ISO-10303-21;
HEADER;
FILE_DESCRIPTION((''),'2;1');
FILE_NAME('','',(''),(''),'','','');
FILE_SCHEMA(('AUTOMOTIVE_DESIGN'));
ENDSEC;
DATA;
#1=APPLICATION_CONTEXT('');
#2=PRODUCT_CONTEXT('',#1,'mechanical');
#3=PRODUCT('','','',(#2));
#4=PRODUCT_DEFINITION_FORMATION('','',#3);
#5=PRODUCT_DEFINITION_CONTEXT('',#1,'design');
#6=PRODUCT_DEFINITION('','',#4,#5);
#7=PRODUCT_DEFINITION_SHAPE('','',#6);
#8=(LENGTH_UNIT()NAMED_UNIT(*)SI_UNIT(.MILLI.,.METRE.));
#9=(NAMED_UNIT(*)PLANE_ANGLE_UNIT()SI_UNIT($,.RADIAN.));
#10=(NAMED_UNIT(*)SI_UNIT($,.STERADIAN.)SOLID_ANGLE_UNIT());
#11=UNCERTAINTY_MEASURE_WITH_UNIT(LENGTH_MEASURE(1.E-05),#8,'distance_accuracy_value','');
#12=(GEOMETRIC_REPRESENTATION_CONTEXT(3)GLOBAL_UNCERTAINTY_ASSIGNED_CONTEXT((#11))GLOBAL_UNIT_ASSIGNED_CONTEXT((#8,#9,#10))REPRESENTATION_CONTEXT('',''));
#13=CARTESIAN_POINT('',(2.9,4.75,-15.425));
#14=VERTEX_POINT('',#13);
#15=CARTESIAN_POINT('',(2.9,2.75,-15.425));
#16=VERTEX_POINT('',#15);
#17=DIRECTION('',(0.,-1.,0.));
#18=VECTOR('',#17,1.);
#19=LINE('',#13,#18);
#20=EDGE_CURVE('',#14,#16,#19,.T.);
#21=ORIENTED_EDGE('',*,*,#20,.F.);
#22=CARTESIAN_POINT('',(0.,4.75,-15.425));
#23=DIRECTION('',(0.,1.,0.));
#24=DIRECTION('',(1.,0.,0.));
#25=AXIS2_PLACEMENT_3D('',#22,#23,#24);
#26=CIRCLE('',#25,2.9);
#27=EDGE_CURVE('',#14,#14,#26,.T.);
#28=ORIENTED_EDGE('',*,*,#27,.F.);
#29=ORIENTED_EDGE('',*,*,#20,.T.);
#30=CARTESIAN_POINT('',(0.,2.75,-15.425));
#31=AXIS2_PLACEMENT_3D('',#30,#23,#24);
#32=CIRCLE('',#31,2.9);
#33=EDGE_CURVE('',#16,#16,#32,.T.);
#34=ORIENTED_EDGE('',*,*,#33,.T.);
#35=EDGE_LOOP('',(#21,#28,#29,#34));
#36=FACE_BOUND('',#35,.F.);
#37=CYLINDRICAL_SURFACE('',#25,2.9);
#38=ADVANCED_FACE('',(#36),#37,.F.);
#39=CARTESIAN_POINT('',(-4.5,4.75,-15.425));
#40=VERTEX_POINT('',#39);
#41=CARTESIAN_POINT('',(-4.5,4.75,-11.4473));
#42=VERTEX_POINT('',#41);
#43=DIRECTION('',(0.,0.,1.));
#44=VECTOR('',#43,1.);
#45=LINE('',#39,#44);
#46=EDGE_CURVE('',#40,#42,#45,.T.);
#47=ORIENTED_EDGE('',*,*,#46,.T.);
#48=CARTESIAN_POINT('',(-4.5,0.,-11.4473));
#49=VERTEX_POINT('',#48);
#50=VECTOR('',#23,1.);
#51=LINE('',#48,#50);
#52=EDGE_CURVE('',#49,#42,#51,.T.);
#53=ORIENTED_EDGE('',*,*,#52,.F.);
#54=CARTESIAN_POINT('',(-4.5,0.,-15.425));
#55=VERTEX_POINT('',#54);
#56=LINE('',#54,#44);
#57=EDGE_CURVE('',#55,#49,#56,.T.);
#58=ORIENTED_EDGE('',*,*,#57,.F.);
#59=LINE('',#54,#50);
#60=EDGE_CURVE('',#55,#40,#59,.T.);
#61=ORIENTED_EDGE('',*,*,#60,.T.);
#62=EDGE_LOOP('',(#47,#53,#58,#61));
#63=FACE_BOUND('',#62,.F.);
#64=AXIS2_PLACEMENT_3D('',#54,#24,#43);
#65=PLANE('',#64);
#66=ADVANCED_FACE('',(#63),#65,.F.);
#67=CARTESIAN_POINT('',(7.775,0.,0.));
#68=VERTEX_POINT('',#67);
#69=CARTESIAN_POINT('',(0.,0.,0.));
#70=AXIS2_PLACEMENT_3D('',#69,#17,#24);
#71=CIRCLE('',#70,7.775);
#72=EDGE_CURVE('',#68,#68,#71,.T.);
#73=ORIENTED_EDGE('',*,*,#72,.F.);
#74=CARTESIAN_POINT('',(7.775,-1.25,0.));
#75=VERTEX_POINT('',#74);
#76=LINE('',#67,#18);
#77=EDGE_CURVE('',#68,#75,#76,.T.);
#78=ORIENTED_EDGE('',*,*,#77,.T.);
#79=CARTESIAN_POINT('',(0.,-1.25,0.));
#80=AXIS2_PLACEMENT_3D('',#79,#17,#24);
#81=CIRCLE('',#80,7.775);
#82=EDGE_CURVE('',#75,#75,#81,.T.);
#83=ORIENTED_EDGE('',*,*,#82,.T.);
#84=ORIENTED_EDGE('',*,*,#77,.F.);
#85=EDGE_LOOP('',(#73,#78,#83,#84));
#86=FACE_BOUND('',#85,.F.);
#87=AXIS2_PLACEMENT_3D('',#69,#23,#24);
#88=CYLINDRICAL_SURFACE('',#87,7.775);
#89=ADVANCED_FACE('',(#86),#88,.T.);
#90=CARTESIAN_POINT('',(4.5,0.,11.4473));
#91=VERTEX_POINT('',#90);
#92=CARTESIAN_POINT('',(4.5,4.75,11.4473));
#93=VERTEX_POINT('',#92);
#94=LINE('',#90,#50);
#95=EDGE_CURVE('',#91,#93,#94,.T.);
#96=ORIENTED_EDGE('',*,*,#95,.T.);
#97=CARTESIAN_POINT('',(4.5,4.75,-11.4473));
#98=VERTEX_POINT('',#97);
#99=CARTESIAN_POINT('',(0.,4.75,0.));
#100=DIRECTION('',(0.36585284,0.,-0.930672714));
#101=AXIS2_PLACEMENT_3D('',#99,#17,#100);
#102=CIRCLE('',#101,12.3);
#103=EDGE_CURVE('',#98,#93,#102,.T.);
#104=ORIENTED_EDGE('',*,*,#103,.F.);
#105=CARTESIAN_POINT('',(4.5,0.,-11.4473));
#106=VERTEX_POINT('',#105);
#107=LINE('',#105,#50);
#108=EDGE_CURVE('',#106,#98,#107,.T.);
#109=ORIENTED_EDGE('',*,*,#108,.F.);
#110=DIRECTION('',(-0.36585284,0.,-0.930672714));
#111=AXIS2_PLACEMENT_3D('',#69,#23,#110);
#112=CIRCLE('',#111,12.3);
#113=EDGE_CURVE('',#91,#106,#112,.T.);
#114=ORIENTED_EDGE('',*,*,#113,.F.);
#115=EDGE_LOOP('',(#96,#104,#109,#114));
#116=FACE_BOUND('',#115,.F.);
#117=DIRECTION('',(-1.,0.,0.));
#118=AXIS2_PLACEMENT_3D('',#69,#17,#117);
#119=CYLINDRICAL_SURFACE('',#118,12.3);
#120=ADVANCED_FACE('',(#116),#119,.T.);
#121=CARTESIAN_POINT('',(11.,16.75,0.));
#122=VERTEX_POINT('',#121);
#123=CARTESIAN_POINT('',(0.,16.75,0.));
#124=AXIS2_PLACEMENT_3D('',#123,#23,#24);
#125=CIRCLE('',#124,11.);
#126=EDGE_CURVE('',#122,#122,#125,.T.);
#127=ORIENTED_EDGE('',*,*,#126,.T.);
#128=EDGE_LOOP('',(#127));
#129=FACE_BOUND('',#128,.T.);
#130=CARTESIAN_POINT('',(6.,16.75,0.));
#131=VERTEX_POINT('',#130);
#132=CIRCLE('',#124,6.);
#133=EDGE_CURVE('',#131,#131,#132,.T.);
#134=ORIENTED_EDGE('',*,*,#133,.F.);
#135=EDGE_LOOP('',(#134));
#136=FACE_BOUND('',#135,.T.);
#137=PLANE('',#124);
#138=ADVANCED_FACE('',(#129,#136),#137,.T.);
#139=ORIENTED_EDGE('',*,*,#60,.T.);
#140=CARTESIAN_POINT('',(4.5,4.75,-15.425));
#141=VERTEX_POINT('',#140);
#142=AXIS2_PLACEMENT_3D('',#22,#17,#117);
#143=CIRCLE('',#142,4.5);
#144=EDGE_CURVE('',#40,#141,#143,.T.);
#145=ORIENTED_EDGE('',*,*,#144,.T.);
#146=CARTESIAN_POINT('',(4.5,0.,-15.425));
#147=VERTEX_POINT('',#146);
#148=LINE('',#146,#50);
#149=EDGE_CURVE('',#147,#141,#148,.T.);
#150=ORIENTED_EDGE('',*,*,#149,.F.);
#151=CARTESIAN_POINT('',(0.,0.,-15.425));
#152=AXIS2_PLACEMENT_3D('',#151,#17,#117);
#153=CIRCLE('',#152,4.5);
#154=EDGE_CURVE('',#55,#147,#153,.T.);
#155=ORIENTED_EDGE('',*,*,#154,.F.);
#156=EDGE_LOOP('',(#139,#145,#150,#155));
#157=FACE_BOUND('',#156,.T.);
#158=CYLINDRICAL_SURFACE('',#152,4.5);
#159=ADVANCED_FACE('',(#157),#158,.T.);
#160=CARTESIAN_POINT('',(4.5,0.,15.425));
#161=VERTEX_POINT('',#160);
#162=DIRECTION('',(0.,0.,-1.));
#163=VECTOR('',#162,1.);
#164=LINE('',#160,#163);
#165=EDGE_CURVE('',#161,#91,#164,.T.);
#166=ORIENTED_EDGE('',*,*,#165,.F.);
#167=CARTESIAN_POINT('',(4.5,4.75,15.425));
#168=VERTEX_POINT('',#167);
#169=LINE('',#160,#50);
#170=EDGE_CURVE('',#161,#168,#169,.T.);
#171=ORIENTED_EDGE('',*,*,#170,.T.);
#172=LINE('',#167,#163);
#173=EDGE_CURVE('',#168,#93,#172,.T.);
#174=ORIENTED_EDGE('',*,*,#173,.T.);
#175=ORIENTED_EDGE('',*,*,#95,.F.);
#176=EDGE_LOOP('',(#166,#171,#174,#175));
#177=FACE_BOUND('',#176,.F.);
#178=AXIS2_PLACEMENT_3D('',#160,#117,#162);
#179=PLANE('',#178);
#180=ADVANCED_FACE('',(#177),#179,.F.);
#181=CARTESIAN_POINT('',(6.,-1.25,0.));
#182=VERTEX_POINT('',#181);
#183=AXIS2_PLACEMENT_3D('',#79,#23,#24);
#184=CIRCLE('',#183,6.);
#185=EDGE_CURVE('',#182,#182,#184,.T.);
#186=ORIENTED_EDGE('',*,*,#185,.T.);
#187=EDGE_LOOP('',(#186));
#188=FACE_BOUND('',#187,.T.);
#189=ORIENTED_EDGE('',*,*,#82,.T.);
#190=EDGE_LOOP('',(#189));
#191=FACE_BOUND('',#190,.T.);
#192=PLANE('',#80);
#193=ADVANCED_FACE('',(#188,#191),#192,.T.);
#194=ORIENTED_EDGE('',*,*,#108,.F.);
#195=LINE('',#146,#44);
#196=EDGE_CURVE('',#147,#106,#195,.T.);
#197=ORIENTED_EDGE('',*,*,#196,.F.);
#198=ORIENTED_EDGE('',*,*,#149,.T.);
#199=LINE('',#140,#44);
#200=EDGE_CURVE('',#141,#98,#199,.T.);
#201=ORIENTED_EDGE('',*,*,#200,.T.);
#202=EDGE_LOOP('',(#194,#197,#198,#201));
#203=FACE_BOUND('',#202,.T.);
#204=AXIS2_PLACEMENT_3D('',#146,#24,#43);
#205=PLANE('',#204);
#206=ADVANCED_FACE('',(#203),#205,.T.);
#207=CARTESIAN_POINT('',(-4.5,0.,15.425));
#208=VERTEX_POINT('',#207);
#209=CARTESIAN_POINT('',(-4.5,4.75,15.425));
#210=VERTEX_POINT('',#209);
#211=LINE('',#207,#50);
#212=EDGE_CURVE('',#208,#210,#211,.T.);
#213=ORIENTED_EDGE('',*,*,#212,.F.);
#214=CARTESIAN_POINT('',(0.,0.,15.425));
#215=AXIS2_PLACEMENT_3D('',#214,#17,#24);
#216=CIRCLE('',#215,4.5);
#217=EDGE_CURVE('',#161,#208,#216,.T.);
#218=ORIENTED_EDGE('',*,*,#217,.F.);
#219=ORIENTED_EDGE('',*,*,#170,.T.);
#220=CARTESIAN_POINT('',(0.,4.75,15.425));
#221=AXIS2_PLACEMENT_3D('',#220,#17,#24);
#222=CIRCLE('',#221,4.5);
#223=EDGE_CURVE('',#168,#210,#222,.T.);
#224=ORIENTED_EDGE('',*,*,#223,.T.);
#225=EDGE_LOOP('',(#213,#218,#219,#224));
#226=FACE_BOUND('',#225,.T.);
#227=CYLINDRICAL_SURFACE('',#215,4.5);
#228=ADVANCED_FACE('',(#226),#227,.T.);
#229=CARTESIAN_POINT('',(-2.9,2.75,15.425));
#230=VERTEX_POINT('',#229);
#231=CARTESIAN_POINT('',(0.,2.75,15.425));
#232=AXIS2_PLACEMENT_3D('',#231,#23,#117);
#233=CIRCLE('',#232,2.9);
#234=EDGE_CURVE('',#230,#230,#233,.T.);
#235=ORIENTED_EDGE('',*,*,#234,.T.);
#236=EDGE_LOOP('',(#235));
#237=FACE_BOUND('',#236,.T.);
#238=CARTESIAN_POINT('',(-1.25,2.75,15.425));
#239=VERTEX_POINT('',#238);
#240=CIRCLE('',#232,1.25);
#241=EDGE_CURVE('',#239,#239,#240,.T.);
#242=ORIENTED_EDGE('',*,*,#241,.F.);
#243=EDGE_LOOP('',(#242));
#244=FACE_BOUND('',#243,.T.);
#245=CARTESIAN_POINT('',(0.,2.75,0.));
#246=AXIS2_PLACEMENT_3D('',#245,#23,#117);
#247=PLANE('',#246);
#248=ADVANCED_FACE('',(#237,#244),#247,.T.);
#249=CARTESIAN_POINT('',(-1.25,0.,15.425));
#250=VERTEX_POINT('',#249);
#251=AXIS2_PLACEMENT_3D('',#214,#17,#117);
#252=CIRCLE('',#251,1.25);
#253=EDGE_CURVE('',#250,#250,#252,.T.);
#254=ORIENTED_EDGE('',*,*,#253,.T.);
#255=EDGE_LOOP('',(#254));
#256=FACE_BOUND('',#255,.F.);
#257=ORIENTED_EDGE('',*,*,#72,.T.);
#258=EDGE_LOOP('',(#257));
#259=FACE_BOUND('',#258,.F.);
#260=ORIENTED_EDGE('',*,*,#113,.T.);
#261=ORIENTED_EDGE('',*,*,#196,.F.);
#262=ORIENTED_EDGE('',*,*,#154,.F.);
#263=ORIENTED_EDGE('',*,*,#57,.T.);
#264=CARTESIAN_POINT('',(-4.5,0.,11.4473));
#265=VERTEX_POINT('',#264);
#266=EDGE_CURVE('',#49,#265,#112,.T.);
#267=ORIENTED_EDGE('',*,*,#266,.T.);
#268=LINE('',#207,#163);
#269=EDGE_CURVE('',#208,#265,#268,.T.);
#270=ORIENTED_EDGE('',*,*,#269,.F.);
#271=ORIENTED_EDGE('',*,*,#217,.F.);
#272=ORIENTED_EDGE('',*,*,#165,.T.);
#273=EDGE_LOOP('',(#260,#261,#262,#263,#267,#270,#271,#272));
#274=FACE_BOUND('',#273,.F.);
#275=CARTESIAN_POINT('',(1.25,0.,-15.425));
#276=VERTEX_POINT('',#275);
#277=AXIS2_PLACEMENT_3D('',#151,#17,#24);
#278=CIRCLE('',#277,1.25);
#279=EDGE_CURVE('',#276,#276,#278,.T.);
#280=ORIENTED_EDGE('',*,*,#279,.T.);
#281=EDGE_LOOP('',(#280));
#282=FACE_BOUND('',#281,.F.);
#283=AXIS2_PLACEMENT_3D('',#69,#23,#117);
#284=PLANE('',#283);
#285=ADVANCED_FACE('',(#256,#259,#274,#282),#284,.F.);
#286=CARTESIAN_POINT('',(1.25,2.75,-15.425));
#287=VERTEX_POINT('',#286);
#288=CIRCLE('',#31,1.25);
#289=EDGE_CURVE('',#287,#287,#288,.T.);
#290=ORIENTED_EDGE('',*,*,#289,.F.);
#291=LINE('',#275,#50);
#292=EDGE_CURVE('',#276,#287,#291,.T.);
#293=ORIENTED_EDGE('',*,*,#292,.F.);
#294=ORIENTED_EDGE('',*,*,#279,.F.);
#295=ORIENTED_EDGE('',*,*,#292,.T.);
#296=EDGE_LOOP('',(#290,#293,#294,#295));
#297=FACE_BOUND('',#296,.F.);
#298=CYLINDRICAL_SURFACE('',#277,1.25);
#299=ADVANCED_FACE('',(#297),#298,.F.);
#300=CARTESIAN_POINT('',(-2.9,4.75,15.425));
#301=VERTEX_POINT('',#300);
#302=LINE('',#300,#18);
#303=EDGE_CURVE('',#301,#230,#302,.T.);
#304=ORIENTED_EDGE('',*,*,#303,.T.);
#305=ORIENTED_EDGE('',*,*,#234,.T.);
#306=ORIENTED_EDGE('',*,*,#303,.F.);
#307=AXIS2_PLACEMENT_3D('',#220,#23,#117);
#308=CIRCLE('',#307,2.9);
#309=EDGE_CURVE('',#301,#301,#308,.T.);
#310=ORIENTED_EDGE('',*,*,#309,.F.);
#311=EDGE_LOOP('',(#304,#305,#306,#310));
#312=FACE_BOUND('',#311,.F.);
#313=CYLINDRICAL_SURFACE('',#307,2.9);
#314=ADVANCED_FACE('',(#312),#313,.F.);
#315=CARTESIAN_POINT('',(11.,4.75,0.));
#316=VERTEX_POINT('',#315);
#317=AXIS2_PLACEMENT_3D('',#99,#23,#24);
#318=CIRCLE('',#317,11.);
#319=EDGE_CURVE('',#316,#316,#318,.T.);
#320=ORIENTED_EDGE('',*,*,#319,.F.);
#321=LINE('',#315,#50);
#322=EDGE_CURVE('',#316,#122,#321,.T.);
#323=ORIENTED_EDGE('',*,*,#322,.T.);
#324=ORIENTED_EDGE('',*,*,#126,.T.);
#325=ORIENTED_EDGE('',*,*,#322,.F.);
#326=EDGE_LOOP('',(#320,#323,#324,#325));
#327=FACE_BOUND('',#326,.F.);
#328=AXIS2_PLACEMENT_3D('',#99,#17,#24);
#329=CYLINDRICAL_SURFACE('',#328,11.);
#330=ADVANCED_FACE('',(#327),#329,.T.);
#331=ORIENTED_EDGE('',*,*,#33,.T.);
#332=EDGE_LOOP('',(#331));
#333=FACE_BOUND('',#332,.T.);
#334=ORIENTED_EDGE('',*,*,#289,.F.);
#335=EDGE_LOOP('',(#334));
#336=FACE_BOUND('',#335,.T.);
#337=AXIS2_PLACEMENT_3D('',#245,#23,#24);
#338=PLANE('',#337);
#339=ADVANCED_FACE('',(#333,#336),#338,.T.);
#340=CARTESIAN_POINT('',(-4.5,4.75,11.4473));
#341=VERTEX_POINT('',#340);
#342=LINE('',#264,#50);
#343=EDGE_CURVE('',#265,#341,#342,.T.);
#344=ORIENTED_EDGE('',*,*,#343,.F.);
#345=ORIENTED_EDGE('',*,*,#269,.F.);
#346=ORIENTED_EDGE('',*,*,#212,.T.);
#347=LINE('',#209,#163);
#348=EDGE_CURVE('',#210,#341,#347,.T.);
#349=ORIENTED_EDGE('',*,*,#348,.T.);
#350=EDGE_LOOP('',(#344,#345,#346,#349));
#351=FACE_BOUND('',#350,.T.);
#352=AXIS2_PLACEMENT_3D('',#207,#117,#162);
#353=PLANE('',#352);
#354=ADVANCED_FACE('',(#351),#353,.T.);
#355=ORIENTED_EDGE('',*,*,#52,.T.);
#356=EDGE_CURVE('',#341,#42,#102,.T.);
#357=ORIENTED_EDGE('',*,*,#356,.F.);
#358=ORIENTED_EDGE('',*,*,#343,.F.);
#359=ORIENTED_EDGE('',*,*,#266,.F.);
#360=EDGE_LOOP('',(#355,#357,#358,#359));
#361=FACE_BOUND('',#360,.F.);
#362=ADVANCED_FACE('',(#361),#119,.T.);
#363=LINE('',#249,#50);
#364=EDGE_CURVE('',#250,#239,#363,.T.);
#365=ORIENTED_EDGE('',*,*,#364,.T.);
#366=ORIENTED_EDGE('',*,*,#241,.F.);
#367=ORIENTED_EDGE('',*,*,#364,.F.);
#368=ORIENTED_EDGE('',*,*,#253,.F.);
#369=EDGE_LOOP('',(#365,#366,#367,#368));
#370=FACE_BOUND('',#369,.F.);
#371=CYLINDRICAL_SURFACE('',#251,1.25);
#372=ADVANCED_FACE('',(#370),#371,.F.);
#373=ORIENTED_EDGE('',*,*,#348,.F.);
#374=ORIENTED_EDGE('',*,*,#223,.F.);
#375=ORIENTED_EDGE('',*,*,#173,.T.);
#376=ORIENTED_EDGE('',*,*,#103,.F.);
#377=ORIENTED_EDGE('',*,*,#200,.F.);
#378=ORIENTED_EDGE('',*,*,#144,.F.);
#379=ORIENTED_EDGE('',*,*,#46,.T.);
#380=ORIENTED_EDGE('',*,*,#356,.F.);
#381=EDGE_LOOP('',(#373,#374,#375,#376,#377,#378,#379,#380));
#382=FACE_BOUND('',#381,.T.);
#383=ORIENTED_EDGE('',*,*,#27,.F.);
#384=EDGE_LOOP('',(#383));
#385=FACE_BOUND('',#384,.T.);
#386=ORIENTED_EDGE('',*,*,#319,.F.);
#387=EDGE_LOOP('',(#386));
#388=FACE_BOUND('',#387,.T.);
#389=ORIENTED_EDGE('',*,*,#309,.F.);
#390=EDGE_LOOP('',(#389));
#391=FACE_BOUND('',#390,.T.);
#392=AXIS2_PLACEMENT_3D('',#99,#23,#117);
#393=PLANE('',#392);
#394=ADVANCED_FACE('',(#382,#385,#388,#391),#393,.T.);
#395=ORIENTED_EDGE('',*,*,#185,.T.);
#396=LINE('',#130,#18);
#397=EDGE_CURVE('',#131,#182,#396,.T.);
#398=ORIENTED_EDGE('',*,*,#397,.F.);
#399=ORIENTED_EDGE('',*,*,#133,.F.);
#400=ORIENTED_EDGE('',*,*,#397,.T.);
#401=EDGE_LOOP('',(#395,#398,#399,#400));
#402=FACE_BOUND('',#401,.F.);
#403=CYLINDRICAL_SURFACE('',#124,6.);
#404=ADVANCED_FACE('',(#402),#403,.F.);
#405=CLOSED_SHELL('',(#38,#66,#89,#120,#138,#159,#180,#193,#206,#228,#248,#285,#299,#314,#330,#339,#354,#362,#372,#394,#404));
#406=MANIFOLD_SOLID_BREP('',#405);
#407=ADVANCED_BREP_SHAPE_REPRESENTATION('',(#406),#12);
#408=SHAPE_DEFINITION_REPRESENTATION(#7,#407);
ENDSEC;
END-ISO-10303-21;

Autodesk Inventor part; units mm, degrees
ref_plane "YZ Plane" through (0, 0, 0) normal (1, 0, 0) x (0, 1, 0)
ref_plane "XZ Plane" through (0, 0, 0) normal (0, 1, 0) x (-1, 0, 0)
ref_plane "XY Plane" through (0, 0, 0) normal (0, 0, 1) x (1, 0, 0)
sketch "Esboço1" plane through (0, 0, 0) normal (0, 1, 0) x (-1, 0, 0)
  circle A0 centre (0, 0) radius 12.3
  dimension "d0" = 24.6
extrude "Extrusão1" add sketch "Esboço1" along normal blind 4.75
sketch "Esboço2" plane through (0, 0, 0) normal (0, -1, 0) x (1, 0, 0)
  circle A0 centre (0, 0) radius 7.775
  dimension "d3" = 15.55
extrude "Extrusão2" add sketch "Esboço2" along normal blind 1.25
sketch "Esboço3" plane through (0, 0, 0) normal (0, -1, 0) x (1, 0, 0)
  circle A0 centre (0, 0) radius 12.3 projected
  circle A1 centre (0, -15.425) radius 1.25
  line L0 (-4.5, -15.425) -> (-4.5, -11.4473)
  line L1 (4.5, -15.425) -> (4.5, -11.4473)
  line L2 (4.5, -15.425) -> (8.4777, -15.425) construction
  arc A2 (-4.5, -15.425) -> (4.5, -15.425) centre (0, -15.425) ccw
  dimension "d12" = 90
extrude "Extrusão3" add sketch "Esboço3" against normal blind 4.75 contours A0 L1 A2 L0
sketch "Esboço4" plane through (0, 4.75, 0) normal (0, 1, 0) x (1, 0, 0)
  circle A0 centre (0, 15.425) radius 1.25 projected
  circle A1 centre (0, 15.425) radius 2.9
  point P0 (0, 0)
  dimension "d15" = 5.8
extrude "Extrusão4" cut sketch "Esboço4" against normal blind 2
pattern_circular "Padrão circular1" count 2 over 360 about axis through (0, 0, 0) along (0, 1, 0) of "Extrusão3", "Extrusão4"
sketch "Esboço5" plane through (0, 4.75, 0) normal (0, 1, 0) x (1, 0, 0)
  circle A0 centre (0, 0) radius 11
  dimension "d21" = 22
extrude "Extrusão5" add sketch "Esboço5" along normal blind 12
sketch "Esboço6" plane through (0, 16.75, 0) normal (0, 1, 0) x (1, 0, 0)
  circle A0 centre (0, 0) radius 6
  dimension "d24" = 12
extrude "Extrusão6" cut sketch "Esboço6" against normal blind 20
thread "Rosca1" size "M22x3" class "6g" standard "ANSI Metric M Profile" full length
sketch "Esboço7" plane through (0, 0, 0) normal (0, -1, 0) x (1, 0, 0)
  circle A0 centre (0, -15.425) radius 1.25 projected
  circle A1 centre (0, -15.425) radius 1.5
  circle A2 centre (0, 15.425) radius 1.25 projected
  circle A3 centre (0, 15.425) radius 1.5
  circle A4 centre (0, 0) radius 8
  line L0 (-14, 21.425) -> (14, 21.425)
  line L1 (14, 21.425) -> (14, -21.425)
  line L2 (14, -21.425) -> (-14, -21.425)
  line L3 (-14, -21.425) -> (-14, 21.425)
  dimension "d29" = 3
  dimension "d30" = 3
  dimension "d31" = 16
properties part number "prensa_cabo_fixador"
